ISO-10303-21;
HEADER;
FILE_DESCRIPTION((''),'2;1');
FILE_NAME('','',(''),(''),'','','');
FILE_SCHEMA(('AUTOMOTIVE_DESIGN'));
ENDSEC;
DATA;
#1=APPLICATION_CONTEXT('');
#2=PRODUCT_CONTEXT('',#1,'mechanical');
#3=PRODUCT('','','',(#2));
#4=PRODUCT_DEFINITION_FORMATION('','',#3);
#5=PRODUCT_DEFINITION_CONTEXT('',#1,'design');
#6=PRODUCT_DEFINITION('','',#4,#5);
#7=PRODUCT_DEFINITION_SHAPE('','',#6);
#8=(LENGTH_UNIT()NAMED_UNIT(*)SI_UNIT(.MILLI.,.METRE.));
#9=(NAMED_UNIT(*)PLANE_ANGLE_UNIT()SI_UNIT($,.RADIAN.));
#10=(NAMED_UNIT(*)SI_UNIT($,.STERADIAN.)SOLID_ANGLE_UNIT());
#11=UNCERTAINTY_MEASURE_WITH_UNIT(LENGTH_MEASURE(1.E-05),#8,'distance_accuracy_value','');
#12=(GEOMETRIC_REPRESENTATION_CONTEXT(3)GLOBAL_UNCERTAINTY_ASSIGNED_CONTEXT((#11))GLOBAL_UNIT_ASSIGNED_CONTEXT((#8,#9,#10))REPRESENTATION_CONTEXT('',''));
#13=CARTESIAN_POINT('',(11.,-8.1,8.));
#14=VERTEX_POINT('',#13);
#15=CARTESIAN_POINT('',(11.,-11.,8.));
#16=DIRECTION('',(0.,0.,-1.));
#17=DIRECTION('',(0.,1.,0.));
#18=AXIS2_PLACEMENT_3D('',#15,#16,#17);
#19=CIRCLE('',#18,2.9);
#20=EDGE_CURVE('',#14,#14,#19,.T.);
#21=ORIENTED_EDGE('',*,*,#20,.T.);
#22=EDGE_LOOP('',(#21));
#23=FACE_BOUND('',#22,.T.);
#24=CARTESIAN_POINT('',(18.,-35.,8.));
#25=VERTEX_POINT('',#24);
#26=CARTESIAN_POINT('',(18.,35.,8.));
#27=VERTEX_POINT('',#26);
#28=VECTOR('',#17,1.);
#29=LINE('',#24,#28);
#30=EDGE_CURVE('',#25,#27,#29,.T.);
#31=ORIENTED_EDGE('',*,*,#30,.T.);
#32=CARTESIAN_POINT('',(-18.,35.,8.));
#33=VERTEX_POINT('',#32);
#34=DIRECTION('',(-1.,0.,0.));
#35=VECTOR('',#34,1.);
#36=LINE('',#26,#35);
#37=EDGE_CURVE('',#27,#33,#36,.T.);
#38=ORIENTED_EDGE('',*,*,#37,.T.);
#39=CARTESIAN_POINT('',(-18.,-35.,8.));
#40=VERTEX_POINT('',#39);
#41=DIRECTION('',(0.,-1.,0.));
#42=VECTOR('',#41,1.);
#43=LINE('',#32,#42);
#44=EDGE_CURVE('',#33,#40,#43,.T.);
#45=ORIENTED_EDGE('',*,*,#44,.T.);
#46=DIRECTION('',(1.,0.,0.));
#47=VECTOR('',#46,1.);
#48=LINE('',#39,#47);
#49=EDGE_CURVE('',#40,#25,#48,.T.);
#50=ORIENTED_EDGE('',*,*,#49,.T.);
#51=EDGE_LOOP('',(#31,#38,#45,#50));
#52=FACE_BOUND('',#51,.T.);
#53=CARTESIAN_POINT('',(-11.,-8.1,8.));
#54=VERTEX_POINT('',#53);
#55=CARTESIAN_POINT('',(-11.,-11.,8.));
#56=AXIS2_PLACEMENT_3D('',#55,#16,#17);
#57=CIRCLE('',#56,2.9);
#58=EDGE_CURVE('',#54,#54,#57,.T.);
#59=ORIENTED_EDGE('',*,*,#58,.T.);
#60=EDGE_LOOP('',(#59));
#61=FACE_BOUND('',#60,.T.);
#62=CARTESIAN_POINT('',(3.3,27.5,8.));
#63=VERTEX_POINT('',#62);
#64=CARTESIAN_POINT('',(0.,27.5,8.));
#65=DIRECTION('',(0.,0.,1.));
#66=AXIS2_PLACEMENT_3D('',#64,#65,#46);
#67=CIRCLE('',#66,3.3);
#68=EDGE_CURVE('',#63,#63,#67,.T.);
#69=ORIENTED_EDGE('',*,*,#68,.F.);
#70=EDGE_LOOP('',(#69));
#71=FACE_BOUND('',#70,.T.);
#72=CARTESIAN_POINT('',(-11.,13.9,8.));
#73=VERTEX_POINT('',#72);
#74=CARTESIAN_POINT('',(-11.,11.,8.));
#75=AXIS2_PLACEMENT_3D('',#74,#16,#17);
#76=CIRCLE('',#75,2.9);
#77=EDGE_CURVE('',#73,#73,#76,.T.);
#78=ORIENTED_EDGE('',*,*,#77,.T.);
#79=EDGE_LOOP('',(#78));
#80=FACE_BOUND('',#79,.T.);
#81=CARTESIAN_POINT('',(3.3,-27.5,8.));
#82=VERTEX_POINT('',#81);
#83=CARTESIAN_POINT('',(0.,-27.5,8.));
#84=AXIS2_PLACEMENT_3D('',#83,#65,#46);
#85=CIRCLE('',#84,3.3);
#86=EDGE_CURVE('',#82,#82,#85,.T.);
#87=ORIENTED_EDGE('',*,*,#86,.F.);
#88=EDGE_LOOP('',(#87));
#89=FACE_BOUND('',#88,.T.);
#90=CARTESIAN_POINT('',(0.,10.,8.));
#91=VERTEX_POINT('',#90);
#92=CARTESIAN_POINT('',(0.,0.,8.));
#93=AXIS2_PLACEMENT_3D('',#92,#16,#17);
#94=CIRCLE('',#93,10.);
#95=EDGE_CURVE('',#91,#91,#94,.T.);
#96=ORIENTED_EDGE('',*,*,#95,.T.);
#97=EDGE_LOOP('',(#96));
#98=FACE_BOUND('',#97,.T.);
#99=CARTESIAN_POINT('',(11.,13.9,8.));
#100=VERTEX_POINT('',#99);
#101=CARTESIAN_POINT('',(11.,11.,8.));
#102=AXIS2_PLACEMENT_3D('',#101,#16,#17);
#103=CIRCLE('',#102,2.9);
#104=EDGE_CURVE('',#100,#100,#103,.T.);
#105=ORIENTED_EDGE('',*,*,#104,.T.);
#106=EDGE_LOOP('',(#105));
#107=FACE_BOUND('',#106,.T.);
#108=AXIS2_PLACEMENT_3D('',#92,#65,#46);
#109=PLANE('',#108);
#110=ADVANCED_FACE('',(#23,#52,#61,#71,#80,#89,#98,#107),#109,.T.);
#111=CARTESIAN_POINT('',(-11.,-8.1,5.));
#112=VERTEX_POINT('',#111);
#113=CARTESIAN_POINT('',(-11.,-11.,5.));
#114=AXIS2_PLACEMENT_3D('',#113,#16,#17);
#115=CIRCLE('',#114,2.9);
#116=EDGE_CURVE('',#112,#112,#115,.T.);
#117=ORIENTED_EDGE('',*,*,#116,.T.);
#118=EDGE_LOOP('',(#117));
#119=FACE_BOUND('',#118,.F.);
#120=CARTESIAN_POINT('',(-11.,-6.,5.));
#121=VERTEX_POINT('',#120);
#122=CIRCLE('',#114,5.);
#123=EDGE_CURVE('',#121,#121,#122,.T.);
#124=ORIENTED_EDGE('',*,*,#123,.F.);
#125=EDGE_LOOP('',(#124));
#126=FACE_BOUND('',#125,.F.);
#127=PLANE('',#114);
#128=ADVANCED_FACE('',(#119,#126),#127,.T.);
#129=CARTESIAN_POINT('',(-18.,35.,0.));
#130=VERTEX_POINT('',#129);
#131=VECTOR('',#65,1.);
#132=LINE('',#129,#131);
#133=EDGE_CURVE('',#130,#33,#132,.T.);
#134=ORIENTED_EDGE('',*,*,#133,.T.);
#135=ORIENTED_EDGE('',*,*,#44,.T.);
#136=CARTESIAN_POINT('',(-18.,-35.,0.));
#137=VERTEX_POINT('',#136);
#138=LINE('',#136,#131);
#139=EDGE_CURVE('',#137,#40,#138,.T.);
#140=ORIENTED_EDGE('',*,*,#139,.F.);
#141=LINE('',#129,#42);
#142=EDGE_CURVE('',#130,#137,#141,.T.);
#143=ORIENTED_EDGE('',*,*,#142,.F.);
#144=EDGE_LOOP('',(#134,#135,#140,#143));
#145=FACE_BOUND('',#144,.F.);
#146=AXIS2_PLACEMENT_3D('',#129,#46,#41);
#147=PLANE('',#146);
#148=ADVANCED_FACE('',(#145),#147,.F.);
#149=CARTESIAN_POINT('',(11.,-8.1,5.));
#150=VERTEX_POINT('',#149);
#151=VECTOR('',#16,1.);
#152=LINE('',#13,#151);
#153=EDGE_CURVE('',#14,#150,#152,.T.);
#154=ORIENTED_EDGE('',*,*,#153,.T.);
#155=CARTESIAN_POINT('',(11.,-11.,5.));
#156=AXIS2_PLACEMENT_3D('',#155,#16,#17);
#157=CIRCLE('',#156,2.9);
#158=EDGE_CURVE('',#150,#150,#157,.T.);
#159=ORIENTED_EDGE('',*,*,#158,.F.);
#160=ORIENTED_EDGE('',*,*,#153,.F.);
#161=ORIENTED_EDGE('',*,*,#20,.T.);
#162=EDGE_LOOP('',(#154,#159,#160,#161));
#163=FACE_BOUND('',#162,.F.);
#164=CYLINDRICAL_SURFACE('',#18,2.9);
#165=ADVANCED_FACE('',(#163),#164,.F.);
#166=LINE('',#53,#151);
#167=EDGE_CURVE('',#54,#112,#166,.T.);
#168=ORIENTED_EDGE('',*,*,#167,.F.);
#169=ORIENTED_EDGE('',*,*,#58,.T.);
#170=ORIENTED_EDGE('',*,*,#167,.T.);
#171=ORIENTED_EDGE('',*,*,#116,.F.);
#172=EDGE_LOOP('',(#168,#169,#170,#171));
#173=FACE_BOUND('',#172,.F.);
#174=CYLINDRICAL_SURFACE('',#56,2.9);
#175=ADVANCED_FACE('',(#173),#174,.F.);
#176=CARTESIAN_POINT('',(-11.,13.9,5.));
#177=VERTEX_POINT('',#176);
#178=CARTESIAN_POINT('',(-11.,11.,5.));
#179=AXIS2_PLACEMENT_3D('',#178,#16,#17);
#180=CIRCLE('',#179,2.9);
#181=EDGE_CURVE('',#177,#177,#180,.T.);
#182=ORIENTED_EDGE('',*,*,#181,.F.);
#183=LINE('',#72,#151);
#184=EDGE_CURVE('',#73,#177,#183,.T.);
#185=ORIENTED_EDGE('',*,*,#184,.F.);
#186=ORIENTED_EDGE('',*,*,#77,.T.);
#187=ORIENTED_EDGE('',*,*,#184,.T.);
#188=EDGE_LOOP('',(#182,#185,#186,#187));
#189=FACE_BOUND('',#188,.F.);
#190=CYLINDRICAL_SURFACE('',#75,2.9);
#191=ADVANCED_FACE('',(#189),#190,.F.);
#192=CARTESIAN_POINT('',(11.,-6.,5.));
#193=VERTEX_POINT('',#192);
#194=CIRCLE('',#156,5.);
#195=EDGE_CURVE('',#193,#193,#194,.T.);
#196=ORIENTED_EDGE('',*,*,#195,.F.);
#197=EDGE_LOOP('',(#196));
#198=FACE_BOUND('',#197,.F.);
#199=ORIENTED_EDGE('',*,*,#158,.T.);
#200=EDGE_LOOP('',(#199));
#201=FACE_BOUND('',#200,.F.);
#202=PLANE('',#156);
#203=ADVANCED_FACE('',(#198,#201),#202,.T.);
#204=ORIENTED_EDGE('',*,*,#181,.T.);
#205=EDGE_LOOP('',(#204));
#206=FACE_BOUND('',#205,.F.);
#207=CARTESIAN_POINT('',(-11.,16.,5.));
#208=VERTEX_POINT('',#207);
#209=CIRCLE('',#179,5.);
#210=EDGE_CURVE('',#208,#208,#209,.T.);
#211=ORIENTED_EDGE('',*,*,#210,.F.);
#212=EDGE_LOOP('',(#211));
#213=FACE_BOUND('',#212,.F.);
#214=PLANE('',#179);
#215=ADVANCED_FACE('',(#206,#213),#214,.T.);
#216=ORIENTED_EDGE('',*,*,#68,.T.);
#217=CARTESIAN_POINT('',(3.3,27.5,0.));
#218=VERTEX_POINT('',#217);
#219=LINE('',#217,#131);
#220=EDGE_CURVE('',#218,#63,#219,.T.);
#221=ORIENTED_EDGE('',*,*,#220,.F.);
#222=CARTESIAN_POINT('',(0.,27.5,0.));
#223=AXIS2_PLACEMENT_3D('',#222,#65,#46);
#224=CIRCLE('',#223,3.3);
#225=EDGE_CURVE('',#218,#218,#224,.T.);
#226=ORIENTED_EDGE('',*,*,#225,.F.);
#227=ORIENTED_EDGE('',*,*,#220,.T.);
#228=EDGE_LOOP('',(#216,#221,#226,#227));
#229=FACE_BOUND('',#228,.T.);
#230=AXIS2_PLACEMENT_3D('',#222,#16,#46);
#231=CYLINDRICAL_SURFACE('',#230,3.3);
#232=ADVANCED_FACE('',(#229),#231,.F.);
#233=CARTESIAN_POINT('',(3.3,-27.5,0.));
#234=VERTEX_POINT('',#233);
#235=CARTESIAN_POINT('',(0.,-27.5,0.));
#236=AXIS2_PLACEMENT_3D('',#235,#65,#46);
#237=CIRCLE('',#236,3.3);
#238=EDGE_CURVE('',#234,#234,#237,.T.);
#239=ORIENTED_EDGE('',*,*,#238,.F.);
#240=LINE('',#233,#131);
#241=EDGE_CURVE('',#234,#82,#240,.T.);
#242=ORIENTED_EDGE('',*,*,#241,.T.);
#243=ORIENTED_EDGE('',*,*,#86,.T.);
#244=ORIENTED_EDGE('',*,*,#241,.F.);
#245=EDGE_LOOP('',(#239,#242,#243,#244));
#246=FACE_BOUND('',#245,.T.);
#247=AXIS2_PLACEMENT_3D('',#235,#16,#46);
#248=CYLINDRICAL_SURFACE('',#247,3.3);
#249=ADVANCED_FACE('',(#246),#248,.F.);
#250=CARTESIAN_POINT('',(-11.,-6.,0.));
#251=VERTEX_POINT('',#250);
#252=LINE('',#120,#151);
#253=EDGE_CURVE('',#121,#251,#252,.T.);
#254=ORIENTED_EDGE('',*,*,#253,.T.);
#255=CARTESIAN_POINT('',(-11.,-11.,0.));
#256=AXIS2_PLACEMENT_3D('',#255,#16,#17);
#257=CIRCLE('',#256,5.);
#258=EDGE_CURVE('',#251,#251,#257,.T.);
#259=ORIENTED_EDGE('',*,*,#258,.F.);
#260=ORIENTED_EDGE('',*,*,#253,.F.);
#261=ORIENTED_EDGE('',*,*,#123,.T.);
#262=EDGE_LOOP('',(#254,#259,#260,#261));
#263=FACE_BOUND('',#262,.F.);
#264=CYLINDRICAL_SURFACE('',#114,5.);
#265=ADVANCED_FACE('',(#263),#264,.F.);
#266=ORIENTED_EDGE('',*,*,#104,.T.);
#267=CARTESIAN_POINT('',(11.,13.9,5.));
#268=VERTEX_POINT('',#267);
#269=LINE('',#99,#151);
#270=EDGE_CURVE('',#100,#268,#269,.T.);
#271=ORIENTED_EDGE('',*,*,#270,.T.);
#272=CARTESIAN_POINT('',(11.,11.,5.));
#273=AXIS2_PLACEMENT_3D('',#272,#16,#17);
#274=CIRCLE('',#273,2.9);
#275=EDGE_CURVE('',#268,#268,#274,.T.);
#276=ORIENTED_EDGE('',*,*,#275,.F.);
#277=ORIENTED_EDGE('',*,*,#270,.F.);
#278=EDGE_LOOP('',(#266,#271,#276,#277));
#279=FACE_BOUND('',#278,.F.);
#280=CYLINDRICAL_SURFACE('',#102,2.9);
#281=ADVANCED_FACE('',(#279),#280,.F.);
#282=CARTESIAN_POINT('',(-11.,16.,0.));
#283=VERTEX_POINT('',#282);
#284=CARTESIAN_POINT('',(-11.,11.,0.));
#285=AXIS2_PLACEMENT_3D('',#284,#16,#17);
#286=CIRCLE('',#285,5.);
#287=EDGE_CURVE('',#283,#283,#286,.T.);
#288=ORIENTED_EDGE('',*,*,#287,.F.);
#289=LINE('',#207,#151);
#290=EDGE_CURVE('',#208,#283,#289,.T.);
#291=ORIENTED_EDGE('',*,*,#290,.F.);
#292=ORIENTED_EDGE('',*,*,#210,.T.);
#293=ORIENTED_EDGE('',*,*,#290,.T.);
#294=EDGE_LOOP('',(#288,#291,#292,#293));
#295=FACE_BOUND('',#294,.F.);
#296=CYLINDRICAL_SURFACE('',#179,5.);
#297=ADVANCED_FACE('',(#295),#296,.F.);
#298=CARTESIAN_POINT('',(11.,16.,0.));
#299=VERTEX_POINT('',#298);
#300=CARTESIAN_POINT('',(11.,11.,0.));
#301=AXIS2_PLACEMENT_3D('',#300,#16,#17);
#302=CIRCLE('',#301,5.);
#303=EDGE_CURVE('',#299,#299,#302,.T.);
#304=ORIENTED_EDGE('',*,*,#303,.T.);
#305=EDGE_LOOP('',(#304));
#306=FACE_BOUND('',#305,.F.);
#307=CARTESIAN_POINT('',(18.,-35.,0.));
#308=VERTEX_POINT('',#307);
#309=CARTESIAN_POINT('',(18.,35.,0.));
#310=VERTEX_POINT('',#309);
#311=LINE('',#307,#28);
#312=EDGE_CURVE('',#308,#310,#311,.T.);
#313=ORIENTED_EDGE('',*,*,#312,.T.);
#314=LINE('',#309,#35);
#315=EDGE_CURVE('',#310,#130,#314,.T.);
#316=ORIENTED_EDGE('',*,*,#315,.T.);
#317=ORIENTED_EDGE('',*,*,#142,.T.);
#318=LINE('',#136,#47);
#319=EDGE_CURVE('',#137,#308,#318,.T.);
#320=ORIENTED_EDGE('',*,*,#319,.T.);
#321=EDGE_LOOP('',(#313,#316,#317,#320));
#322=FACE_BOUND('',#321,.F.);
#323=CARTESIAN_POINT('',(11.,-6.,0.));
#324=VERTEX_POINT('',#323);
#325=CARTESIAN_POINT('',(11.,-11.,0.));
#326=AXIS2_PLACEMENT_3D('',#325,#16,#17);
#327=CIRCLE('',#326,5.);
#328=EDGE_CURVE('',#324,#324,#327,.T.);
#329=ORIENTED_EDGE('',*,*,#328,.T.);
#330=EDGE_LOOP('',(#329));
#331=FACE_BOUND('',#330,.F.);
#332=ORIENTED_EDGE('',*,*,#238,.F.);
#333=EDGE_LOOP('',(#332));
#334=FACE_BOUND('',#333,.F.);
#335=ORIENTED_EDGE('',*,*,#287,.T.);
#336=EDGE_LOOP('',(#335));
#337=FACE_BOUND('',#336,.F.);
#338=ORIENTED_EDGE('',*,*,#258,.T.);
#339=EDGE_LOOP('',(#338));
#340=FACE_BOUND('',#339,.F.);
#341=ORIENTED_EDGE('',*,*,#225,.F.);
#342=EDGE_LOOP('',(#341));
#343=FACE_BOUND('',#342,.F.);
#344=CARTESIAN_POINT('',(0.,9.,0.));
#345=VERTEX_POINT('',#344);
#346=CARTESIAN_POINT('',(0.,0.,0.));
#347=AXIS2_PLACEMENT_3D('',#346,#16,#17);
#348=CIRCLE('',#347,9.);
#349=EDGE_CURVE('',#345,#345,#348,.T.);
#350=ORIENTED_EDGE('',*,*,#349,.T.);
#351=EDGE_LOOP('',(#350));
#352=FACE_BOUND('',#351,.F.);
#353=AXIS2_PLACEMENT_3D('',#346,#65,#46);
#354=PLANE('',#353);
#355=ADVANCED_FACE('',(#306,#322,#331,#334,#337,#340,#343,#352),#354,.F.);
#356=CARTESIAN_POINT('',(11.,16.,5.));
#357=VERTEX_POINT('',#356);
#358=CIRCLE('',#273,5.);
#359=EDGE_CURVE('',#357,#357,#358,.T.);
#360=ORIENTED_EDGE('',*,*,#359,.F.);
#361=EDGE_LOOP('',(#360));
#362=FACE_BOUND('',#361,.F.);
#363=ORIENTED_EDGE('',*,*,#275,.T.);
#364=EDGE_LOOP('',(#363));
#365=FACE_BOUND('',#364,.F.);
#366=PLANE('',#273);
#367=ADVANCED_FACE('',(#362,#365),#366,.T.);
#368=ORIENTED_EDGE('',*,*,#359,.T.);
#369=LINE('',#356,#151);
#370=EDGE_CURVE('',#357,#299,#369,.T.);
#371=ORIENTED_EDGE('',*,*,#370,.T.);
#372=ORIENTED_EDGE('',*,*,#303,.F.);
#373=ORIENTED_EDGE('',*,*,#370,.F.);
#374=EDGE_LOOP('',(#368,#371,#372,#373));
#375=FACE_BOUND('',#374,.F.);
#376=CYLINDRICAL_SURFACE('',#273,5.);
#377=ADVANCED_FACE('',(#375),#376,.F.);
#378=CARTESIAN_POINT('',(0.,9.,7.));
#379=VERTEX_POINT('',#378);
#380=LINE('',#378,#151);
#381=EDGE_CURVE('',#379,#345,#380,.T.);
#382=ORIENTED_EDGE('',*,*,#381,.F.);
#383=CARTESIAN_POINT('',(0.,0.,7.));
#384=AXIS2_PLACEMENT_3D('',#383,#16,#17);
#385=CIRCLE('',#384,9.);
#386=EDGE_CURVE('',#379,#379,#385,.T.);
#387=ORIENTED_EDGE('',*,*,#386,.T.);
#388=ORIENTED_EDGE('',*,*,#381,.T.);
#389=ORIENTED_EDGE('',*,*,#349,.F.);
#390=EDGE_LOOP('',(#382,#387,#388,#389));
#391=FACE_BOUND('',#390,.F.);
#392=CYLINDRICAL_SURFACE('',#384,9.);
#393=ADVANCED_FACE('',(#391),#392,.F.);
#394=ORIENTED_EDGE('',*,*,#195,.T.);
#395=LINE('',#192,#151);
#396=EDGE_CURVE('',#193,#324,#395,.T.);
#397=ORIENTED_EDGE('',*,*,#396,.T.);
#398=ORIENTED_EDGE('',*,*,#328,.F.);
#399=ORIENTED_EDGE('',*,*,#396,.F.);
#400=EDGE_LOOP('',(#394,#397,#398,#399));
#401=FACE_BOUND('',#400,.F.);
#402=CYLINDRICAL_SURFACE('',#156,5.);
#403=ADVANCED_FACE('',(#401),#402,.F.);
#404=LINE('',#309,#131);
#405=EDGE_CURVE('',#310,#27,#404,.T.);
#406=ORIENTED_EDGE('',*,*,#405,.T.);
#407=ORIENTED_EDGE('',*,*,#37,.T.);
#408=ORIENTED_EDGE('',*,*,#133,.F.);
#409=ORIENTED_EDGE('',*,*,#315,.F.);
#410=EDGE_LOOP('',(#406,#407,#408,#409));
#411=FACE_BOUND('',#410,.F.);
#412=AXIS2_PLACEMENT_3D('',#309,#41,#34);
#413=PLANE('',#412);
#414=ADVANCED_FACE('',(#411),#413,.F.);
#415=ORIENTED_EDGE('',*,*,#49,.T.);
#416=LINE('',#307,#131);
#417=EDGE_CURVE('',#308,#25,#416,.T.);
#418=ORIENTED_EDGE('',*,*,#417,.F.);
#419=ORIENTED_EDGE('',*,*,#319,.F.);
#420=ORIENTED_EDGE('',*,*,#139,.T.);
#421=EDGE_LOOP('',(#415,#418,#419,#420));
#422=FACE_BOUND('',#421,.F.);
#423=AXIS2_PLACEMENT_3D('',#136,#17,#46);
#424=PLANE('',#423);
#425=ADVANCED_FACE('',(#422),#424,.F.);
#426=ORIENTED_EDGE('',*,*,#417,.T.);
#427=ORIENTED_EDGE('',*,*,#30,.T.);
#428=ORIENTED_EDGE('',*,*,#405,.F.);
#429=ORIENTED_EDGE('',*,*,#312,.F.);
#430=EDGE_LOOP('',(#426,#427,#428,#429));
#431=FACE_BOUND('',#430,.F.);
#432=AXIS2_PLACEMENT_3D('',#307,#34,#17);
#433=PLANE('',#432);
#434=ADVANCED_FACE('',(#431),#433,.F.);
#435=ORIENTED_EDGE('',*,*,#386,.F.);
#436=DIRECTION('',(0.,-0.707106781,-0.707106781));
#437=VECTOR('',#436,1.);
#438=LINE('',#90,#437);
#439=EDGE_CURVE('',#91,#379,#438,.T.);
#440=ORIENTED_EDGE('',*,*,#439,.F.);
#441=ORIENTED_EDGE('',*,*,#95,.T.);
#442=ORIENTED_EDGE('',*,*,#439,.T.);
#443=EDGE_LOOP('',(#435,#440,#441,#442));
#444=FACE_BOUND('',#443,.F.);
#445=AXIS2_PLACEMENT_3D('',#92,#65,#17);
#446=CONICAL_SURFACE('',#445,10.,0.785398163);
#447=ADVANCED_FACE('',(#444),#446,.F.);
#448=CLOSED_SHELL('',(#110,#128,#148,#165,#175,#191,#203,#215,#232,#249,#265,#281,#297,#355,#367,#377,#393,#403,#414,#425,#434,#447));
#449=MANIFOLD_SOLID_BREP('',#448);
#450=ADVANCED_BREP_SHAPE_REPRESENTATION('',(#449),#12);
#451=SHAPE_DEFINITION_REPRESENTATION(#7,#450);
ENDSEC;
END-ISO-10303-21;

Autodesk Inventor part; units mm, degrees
sketch "Skizze_1" plane through (0, 0, 0) normal (0, 0, 1) x (1, 0, 0)
  line L0 (-18, 35) -> (-18, -35)
  line L1 (-18, -35) -> (18, -35)
  line L2 (18, -35) -> (18, 35)
  line L3 (18, 35) -> (-18, 35)
  circle A0 centre (0, 27.5) radius 3.3
  circle A1 centre (0, -27.5) radius 3.3
extrude "Extrusion1" add sketch "Skizze_1" along normal blind 8
sketch "Skizze_2_ALT_Drilling_1" plane through (0, 0, 0) normal (1, 0, 0) x (0, 1, 0)
  line L0 (0, 0) -> (0, 8)
  line L1 (0, 8) -> (10, 8)
  line L2 (10, 8) -> (9, 7)
  line L3 (9, 7) -> (9, 0)
  line L4 (9, 0) -> (0, 0)
  line L5 (0, 0) -> (0, 8)
revolve "Revolution1" cut sketch "Skizze_2_ALT_Drilling_1" angle 360 about axis through (0, 0, 0) along (0, 0, -1)
sketch "Skizze_3_ALT_Drilling_2" plane through (11, 0, 0) normal (1, 0, 0) x (0, 0, -1)
  line L0 (0, 11) -> (-8, 11)
  line L1 (-8, 11) -> (-8, 13.9)
  line L2 (-8, 13.9) -> (-5, 13.9)
  line L3 (-5, 13.9) -> (-5, 16)
  line L4 (-5, 16) -> (0, 16)
  line L5 (0, 16) -> (0, 11)
  line L6 (0, 11) -> (-8, 11)
revolve "Revolution2" cut sketch "Skizze_3_ALT_Drilling_2" angle 360 about axis through (11, 11, 0) along (0, 0, -1)
sketch "Muster_1_SKETCH_1" plane through (-11, 0, 0) normal (1, 0, 0) x (0, 0, -1)
  line L0 (0, 11) -> (-8, 11)
  line L1 (-8, 11) -> (-8, 13.9)
  line L2 (-8, 13.9) -> (-5, 13.9)
  line L3 (-5, 13.9) -> (-5, 16)
  line L4 (-5, 16) -> (0, 16)
  line L5 (0, 16) -> (0, 11)
  line L6 (0, 11) -> (-8, 11)
sketch "Muster_1_SKETCH_2" plane through (11, 0, 0) normal (1, 0, 0) x (0, 0, -1)
  line L0 (0, -11) -> (-8, -11)
  line L1 (-8, -11) -> (-8, -8.1)
  line L2 (-8, -8.1) -> (-5, -8.1)
  line L3 (-5, -8.1) -> (-5, -6)
  line L4 (-5, -6) -> (0, -6)
  line L5 (0, -6) -> (0, -11)
  line L6 (0, -11) -> (-8, -11)
sketch "Muster_1_SKETCH_3" plane through (-11, 0, 0) normal (1, 0, 0) x (0, 0, -1)
  line L0 (0, -11) -> (-8, -11)
  line L1 (-8, -11) -> (-8, -8.1)
  line L2 (-8, -8.1) -> (-5, -8.1)
  line L3 (-5, -8.1) -> (-5, -6)
  line L4 (-5, -6) -> (0, -6)
  line L5 (0, -6) -> (0, -11)
  line L6 (0, -11) -> (-8, -11)
revolve "Revolution3" cut sketch "Muster_1_SKETCH_1" angle 360 about axis through (-11, 11, 0) along (0, 0, -1)
revolve "Revolution4" cut sketch "Muster_1_SKETCH_2" angle 360 about axis through (11, -11, 0) along (0, 0, -1)
revolve "Revolution5" cut sketch "Muster_1_SKETCH_3" angle 360 about axis through (-11, -11, 0) along (0, 0, -1)
ref_plane "FDT_MOUNT_XY" through (0, 0, 8) normal (0, 0, 1) x (0, 1, 0)
ref_plane "FDT_MOUNT_YZ" through (0, 0, 8) normal (0, 1, 0) x (-1, 0, 0)
ref_plane "FDT_MOUNT_ZX" through (0, 0, 8) normal (-1, 0, 0) x (0, 0, 1)
ref_plane "FNC_1_XY" through (0, 0, 4) normal (0, 0, 1) x (1, 0, 0)
ref_plane "FNC_1_YZ" through (0, 0, 4) normal (1, 0, 0) x (0, 1, 0)
ref_plane "FNC_1_ZX" through (0, 0, 4) normal (0, 1, 0) x (0, 0, 1)
ref_plane "FNC_2_3_XY" through (0, 0, 8) normal (0, 0, 1) x (1, 0, 0)
ref_plane "FNC_2_3_YZ" through (0, 0, 8) normal (1, 0, 0) x (0, 1, 0)
ref_plane "FNC_2_3_ZX" through (0, 0, 8) normal (0, 1, 0) x (0, 0, 1)
ref_plane "FNC_Schraube_1_XY" through (-11, 11, 5) normal (0, 0, 1) x (1, 0, 0)
ref_plane "FNC_Schraube_1_YZ" through (-11, 11, 5) normal (1, 0, 0) x (0, 1, 0)
ref_plane "FNC_Schraube_1_ZX" through (-11, 11, 5) normal (0, 1, 0) x (0, 0, 1)
ref_plane "FNC_Schraube_2_XY" through (11, 11, 5) normal (0, 0, 1) x (1, 0, 0)
ref_plane "FNC_Schraube_2_YZ" through (11, 11, 5) normal (1, 0, 0) x (0, 1, 0)
ref_plane "FNC_Schraube_2_ZX" through (11, 11, 5) normal (0, 1, 0) x (0, 0, 1)
ref_plane "FNC_Schraube_3_XY" through (-11, -11, 5) normal (0, 0, 1) x (1, 0, 0)
ref_plane "FNC_Schraube_3_YZ" through (-11, -11, 5) normal (1, 0, 0) x (0, 1, 0)
ref_plane "FNC_Schraube_3_ZX" through (-11, -11, 5) normal (0, 1, 0) x (0, 0, 1)
ref_plane "FNC_Schraube_4_XY" through (11, -11, 5) normal (0, 0, 1) x (1, 0, 0)
ref_plane "FNC_Schraube_4_YZ" through (11, -11, 5) normal (1, 0, 0) x (0, 1, 0)
ref_plane "FNC_Schraube_4_ZX" through (11, -11, 5) normal (0, 1, 0) x (0, 0, 1)
ref_plane "P17_1_XY" through (0, 27.5, 8) normal (0, 0, 1) x (1, 0, 0)
ref_plane "P17_1_YZ" through (0, 27.5, 8) normal (1, 0, 0) x (0, 1, 0)
ref_plane "P17_1_ZX" through (0, 27.5, 8) normal (0, 1, 0) x (0, 0, 1)
ref_plane "P18_1_XY" through (0, -27.5, 8) normal (0, 0, 1) x (1, 0, 0)
ref_plane "P18_1_YZ" through (0, -27.5, 8) normal (1, 0, 0) x (0, 1, 0)
ref_plane "P18_1_ZX" through (0, -27.5, 8) normal (0, 1, 0) x (0, 0, 1)
properties part number "537247 FNC-20---(F)"
